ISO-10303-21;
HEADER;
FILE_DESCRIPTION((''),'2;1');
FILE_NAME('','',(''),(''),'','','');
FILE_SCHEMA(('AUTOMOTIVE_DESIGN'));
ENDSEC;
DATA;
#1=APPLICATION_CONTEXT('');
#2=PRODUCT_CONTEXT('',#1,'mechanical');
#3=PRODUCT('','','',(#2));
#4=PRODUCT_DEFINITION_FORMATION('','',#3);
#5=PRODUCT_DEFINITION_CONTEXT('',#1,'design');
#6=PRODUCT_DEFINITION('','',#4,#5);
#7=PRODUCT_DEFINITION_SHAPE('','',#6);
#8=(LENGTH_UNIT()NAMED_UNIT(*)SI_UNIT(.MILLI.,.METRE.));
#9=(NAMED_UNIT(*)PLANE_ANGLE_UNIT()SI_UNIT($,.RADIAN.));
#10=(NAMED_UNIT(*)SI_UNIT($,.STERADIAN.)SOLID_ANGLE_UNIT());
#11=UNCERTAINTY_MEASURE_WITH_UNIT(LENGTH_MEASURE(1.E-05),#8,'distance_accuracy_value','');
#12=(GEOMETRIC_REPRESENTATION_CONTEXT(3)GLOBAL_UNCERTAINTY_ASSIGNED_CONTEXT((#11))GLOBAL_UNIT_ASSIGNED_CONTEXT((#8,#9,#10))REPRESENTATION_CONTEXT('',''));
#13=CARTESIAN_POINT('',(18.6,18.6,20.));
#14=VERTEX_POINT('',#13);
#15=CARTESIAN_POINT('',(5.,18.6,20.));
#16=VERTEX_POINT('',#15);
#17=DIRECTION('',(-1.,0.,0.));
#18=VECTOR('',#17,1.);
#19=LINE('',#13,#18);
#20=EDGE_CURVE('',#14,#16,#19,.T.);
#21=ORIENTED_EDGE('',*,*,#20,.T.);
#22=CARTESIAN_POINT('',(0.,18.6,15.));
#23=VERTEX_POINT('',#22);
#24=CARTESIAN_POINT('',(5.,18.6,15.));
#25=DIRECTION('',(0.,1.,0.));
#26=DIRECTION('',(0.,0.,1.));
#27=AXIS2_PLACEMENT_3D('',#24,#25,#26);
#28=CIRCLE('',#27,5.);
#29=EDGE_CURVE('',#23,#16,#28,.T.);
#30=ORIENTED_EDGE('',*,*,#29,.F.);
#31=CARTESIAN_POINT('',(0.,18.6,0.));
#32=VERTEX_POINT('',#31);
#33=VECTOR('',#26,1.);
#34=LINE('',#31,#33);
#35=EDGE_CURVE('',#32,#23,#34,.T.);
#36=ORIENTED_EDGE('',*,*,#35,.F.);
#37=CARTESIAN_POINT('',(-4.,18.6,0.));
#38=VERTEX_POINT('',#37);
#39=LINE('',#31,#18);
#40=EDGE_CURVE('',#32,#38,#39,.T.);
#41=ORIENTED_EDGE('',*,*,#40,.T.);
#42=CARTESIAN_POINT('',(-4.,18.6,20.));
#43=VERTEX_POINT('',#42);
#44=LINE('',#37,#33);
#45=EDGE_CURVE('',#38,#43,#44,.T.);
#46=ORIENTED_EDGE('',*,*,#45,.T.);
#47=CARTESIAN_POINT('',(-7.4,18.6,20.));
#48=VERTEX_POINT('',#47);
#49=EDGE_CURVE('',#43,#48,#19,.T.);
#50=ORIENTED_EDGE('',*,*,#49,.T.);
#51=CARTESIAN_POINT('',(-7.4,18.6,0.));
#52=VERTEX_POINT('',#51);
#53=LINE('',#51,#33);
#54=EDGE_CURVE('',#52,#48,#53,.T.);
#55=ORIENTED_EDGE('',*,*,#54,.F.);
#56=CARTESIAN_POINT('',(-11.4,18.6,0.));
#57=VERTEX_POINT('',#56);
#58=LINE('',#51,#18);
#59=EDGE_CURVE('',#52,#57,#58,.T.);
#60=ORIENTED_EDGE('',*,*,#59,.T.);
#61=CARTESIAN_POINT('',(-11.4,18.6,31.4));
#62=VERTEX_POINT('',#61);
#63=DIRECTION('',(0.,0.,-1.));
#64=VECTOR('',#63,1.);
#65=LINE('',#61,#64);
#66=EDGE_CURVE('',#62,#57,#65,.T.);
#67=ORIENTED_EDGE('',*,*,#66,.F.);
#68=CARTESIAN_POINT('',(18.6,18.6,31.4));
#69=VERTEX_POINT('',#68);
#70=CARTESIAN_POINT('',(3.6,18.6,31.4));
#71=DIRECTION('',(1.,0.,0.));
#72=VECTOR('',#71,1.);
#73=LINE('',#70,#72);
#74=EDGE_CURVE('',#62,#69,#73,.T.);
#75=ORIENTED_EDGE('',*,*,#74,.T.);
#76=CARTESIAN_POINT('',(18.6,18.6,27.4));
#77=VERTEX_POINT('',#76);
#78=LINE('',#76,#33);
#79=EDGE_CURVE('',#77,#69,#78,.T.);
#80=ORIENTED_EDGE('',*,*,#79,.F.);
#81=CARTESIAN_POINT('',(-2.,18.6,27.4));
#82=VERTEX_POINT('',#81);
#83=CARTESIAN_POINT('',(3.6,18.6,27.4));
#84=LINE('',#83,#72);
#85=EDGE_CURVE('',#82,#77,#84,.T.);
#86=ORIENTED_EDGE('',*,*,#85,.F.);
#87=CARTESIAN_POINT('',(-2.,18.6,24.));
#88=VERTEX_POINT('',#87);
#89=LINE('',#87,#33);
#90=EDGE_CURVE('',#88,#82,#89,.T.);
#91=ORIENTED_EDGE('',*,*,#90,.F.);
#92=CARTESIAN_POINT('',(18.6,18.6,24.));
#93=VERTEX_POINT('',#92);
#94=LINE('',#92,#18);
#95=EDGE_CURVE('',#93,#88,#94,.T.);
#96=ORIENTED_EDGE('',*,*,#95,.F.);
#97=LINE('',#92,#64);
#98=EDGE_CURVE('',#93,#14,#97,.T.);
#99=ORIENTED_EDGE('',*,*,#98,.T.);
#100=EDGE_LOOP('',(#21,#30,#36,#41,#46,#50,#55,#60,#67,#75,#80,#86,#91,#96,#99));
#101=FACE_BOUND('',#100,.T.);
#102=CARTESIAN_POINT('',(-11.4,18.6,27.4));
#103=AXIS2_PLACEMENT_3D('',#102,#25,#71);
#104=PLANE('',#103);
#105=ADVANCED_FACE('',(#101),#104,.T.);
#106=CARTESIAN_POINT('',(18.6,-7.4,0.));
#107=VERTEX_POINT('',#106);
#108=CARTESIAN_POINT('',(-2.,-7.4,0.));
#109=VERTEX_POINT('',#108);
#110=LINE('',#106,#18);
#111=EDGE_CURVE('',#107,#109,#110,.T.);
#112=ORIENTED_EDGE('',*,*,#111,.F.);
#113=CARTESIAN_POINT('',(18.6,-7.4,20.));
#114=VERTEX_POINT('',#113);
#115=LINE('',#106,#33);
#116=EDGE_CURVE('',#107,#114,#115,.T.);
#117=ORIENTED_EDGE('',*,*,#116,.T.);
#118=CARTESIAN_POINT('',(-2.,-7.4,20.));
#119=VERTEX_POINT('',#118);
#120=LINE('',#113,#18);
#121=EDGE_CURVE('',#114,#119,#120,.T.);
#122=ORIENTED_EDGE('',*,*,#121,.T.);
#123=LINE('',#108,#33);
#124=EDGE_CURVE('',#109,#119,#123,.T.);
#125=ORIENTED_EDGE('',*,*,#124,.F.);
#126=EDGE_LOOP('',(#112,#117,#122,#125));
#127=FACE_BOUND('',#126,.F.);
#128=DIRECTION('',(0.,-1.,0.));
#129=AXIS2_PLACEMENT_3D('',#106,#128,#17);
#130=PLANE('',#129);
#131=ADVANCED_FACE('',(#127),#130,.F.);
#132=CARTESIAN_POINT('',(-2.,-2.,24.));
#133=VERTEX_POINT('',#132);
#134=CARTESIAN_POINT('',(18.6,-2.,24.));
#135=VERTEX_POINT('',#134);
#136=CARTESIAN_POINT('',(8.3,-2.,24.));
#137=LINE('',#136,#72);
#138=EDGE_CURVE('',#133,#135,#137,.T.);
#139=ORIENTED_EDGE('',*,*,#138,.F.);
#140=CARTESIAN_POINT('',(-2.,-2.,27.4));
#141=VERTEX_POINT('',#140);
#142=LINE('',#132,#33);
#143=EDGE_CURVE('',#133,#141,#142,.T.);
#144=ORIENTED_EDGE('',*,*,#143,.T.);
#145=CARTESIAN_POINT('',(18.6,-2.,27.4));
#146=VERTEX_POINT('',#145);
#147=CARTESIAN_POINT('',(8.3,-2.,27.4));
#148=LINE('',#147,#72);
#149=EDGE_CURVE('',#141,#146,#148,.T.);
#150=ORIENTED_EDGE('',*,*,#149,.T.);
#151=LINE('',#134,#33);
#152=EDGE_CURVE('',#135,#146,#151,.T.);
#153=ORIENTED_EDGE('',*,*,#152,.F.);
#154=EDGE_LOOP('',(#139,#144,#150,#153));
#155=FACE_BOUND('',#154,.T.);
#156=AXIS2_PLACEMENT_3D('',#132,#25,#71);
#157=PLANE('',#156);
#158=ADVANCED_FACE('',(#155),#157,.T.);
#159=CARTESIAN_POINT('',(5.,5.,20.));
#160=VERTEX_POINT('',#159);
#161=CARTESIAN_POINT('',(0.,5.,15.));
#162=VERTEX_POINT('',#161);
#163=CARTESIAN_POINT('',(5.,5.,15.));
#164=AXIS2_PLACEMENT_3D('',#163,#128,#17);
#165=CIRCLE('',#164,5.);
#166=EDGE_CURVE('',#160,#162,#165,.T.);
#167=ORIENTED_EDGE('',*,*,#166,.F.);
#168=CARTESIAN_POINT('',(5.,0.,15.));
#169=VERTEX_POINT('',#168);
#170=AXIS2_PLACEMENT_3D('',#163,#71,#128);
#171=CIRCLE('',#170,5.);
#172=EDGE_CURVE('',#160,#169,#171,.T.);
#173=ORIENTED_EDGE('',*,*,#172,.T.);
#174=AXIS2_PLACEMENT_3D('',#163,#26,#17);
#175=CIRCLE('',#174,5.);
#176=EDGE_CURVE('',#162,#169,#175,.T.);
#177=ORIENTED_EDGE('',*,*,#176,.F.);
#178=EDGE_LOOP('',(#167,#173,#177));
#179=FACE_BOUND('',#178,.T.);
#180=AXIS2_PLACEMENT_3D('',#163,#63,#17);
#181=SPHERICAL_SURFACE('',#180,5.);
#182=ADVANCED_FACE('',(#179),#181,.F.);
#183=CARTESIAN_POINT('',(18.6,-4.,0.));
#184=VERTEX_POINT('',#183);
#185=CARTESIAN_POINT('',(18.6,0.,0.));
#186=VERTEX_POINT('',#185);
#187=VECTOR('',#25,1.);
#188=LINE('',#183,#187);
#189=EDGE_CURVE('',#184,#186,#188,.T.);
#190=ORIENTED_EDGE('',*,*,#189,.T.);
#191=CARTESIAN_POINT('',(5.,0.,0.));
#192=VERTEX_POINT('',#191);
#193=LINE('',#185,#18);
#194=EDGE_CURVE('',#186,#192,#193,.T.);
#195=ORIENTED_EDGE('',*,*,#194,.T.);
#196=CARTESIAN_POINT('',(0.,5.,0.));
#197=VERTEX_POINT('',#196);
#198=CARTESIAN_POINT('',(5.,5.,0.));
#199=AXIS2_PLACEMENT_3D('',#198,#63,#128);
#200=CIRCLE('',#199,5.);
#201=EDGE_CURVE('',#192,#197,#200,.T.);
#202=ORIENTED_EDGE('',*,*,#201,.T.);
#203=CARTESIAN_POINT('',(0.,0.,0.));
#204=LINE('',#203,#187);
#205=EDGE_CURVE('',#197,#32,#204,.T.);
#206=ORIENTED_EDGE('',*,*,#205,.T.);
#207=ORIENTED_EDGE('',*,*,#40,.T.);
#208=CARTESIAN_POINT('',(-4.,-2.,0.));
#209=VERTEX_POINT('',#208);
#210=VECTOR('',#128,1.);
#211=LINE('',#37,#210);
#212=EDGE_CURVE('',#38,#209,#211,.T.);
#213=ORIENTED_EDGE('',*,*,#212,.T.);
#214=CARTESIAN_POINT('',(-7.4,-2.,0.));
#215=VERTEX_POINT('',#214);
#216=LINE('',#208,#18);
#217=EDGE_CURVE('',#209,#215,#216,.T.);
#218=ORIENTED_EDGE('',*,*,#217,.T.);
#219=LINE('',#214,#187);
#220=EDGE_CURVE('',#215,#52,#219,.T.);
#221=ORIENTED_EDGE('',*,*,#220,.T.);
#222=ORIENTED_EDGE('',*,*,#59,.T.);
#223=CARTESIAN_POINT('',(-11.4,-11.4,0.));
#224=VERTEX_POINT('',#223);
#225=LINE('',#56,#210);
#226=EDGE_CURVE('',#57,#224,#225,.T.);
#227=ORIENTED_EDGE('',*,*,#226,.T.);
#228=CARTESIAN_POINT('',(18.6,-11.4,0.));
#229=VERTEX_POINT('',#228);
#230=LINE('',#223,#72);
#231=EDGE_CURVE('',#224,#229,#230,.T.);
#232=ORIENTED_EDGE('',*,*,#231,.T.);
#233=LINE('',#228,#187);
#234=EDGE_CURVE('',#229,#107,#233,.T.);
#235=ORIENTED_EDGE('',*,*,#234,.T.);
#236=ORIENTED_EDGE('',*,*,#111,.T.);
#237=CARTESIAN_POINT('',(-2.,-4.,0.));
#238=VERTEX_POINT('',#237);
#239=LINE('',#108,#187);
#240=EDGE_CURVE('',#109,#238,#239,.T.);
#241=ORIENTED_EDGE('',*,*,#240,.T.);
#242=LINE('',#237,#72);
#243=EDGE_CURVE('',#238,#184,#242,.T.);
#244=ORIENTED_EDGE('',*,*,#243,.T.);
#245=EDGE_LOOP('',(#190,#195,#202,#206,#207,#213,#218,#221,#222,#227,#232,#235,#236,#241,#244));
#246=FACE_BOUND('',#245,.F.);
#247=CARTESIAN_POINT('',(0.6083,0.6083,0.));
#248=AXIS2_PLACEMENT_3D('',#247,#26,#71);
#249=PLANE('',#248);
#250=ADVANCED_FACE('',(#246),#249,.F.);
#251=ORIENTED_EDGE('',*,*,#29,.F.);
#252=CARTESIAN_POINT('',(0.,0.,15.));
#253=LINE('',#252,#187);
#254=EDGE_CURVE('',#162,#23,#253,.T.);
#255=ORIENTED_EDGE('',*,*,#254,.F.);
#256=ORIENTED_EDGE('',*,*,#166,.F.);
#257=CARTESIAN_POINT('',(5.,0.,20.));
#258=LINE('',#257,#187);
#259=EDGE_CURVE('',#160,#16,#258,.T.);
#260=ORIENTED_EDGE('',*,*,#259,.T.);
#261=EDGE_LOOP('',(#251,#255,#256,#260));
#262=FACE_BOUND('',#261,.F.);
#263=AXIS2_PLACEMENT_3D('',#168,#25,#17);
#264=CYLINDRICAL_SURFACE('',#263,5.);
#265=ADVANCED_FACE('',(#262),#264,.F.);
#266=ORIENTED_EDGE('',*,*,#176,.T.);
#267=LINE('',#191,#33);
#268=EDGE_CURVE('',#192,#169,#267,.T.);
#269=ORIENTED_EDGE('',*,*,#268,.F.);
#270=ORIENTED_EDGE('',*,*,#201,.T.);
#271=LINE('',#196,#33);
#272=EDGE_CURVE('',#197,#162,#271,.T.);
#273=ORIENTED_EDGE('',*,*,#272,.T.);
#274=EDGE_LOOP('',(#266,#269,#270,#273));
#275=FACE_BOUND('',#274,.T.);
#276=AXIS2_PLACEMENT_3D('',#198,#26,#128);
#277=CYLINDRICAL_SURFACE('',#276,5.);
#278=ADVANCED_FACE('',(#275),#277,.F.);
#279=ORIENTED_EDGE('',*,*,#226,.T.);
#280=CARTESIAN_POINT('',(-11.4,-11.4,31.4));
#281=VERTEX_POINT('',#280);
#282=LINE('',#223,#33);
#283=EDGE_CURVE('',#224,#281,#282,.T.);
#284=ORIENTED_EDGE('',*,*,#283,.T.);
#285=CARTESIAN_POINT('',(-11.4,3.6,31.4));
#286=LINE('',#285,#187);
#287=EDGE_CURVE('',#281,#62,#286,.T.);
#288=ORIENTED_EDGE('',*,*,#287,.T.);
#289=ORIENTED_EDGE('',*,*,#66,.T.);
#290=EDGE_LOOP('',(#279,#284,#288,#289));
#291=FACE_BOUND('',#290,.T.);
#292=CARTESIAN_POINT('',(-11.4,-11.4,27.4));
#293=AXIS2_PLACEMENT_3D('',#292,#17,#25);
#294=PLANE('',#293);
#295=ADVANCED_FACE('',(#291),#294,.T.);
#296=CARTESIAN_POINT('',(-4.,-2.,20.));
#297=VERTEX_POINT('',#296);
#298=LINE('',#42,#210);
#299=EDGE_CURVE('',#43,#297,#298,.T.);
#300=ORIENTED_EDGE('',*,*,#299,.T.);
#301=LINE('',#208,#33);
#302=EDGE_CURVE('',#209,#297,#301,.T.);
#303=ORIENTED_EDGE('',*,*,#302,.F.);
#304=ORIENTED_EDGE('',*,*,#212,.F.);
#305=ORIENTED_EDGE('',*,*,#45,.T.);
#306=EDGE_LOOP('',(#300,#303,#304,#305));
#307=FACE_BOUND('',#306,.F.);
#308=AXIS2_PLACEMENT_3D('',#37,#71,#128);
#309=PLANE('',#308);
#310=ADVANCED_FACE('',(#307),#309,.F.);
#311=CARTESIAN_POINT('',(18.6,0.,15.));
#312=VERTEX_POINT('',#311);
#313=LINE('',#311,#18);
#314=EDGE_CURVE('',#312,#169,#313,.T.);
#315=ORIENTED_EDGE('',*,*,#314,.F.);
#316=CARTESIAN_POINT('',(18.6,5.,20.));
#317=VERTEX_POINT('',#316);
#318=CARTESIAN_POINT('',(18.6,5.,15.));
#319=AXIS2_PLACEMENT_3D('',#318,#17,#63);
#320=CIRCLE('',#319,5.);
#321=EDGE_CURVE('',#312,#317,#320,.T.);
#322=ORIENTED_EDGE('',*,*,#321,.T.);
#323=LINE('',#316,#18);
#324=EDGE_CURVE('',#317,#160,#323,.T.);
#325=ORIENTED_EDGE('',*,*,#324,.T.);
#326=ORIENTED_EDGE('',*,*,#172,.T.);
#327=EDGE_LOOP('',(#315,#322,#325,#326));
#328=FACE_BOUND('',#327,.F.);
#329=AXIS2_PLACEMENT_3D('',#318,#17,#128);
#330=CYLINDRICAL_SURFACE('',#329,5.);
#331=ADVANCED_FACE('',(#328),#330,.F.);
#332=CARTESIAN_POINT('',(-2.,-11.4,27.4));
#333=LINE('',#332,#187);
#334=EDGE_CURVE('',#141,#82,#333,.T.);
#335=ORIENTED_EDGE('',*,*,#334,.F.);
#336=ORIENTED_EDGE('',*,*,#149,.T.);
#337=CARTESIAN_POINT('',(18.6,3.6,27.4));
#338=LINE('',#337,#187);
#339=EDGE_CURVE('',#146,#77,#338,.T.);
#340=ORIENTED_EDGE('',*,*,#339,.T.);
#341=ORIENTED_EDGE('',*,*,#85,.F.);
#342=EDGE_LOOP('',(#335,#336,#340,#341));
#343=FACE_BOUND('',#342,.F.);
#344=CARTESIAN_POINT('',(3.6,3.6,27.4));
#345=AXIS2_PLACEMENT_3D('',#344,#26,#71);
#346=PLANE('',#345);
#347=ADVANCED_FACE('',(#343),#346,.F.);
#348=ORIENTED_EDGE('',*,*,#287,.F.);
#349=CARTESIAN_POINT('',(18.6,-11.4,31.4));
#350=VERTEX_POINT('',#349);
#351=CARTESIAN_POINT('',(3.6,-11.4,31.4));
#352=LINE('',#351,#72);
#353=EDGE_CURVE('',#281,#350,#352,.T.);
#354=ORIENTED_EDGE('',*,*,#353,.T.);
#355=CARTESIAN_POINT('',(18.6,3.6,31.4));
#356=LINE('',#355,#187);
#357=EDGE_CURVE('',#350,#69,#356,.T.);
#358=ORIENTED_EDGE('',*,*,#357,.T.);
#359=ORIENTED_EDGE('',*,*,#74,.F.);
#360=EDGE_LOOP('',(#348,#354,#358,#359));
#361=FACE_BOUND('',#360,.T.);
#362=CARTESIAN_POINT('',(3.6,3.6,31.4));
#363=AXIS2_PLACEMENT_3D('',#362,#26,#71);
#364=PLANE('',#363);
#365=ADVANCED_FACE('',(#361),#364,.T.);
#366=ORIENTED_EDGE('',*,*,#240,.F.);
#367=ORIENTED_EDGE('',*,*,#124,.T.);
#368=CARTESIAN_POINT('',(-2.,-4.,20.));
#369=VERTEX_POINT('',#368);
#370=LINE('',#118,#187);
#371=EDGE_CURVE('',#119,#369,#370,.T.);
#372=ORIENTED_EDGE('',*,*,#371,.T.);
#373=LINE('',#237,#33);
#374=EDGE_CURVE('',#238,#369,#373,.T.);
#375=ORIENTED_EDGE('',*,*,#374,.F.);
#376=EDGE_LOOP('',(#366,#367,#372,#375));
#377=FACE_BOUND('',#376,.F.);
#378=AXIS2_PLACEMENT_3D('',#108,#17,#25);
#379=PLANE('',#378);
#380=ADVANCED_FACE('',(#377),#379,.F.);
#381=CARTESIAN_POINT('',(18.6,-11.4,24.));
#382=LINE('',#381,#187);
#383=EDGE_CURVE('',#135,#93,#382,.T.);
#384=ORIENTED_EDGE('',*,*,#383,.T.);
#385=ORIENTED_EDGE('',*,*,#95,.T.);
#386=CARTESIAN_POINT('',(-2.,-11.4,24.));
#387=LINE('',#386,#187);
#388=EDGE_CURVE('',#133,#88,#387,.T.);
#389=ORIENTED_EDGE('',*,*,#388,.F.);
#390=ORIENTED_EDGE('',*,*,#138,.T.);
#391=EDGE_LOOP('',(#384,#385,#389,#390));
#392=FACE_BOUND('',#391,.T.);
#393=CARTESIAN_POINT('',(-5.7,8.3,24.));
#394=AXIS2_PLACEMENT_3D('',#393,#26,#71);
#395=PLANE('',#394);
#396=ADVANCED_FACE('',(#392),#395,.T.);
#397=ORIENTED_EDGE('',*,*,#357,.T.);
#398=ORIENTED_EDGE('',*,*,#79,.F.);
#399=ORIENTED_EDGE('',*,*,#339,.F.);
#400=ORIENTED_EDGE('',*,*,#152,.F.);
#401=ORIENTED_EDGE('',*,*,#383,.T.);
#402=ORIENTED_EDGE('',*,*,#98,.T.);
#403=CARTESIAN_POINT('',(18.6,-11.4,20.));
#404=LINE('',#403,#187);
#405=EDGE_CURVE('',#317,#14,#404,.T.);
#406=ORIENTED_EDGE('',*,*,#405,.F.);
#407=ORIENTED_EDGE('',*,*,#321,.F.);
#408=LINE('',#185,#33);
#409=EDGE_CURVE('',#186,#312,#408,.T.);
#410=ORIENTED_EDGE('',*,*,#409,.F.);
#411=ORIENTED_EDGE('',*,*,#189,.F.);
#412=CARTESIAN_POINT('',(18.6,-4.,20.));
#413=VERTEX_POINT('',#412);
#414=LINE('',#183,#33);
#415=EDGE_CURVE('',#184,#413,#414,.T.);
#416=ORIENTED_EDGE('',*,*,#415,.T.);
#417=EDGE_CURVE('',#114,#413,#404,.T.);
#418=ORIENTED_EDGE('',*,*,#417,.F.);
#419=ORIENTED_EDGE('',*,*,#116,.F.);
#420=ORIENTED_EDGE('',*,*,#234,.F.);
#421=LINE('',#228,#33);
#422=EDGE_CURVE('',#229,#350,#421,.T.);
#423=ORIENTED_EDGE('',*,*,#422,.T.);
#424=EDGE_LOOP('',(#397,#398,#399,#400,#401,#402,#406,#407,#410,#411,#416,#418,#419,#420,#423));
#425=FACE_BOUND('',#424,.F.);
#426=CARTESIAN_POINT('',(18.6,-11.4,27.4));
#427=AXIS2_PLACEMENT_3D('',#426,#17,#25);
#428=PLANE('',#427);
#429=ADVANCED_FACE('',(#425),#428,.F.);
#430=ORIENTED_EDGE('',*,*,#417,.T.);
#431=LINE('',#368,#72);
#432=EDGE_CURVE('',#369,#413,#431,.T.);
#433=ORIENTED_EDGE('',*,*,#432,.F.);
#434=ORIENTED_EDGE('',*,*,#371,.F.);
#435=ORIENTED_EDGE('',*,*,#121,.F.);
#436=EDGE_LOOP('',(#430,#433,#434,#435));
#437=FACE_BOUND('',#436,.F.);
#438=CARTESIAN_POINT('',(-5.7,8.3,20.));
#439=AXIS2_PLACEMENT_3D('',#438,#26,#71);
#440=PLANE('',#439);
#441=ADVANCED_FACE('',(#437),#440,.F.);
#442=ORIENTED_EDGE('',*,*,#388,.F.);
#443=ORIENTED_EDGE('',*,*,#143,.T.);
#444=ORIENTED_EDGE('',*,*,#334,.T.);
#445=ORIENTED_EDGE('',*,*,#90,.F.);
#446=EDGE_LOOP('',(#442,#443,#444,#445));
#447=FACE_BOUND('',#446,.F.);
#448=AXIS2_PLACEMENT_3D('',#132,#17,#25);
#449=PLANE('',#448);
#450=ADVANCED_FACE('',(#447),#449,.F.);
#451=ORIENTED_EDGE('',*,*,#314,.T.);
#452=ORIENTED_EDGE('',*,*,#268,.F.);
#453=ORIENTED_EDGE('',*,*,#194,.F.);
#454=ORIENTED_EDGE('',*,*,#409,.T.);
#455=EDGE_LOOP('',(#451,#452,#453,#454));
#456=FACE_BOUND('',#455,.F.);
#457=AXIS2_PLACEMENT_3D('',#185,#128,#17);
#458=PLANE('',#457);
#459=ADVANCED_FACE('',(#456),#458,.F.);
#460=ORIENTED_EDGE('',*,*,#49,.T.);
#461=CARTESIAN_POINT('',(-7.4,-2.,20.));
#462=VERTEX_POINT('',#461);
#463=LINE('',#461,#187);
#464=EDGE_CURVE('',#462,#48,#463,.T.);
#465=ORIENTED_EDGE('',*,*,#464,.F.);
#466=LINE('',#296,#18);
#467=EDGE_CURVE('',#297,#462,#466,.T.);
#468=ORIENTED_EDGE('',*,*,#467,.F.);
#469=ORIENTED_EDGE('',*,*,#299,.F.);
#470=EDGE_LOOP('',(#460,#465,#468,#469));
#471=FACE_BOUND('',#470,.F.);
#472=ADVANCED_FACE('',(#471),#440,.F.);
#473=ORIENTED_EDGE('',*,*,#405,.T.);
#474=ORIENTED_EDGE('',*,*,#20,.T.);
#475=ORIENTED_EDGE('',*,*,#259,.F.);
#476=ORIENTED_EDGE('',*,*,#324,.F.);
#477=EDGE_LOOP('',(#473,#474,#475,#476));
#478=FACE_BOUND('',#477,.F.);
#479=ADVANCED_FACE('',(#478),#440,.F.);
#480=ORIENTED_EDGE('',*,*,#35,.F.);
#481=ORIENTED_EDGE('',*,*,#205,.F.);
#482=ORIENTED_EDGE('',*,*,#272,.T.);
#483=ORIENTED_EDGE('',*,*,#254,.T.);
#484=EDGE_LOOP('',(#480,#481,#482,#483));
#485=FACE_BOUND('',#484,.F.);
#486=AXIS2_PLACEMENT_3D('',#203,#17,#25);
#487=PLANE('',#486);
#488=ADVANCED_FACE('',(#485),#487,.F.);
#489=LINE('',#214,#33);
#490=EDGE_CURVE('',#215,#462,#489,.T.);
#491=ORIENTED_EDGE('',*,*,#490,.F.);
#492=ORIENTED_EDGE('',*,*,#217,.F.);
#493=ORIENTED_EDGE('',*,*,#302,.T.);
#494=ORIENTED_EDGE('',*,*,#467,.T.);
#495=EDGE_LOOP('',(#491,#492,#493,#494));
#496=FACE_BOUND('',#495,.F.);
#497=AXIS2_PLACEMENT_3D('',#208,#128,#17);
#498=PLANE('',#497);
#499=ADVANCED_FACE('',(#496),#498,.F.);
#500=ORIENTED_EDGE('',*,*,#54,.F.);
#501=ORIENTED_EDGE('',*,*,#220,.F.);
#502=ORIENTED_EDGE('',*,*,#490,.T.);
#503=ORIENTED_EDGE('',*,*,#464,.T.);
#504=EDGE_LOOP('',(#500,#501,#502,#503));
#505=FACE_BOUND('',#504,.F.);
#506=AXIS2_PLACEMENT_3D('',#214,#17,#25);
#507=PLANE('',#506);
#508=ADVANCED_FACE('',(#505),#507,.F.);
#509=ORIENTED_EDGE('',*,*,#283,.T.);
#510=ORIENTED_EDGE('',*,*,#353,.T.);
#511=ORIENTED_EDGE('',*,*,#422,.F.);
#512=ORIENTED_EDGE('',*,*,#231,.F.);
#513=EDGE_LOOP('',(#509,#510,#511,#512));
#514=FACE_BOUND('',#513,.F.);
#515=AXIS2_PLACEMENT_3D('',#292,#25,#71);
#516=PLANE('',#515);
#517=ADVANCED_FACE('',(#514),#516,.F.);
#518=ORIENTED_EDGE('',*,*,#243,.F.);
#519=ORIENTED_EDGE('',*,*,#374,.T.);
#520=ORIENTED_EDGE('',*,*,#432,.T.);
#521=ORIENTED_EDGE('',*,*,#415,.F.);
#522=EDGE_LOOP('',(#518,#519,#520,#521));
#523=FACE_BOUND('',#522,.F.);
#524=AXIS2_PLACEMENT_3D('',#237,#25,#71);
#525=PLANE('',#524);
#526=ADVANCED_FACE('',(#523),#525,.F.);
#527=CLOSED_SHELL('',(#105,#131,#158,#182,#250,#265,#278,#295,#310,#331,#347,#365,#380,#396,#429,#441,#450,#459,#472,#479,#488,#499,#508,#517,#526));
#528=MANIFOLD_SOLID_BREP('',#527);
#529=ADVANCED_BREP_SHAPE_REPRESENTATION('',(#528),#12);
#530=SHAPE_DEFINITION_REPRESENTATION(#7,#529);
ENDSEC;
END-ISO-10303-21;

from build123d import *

# Parameters (mm, degrees)
F4_DEPTH  = 20
F5_W      = 3.4
F5_H      = 20.6
F5_W_2    = 20.6
F5_H_2    = 3.4
F5_W_3    = 18.6
F5_H_3    = 18.6
F6_DEPTH  = 2
F7_DEPTH  = 2
F8_W      = 20.6
F8_H      = 9.4
F9_DEPTH  = 3.4
F10_W     = 30
F10_H     = 30
F11_DEPTH = 4
F12_R     = 5


with BuildPart() as f4:
    # F3 (on Top) → F4 (new body)
    with BuildSketch(Plane.XY):
        Polygon((0, 18.6), (-4, 18.6), (-4, -2), (-7.4, -2), (-7.4, 18.6), (-11.4, 18.6), (-11.4, -11.4), (18.6, -11.4), (18.6, -7.4), (-2, -7.4), (-2, -4), (18.6, -4), (18.6, 0), (0, 0), align=None)
    extrude(amount=F4_DEPTH)

    # F5 (on face) → F6 (join)
    with BuildSketch(Plane.XY.offset(20)):
        with Locations((-5.7, 8.3)):
            Rectangle(F5_W, F5_H)
        Polygon((-11.4, 18.6), (-11.4, -11.4), (18.6, -11.4), (18.6, -7.4), (-2, -7.4), (-2, -4), (18.6, -4), (18.6, 0), (0, 0), (0, 18.6), (-4, 18.6), (-4, -2), (-7.4, -2), (-7.4, 18.6), align=None)
        with Locations((8.3, -5.7)):
            Rectangle(F5_W_2, F5_H_2)
        with Locations((9.3, 9.3)):
            Rectangle(F5_W_3, F5_H_3)
    extrude(amount=F6_DEPTH)

    # F7 (add): a face of the model
    f7_faces = [f4.faces().sort_by_distance(p)[0] for p in [
        (3.6, 3.6, 22),
    ]]
    extrude(f7_faces, amount=F7_DEPTH)

    # F8 (on face) → F9 (join)
    with BuildSketch(Plane.XY.offset(24)):
        Polygon((-2, 18.6), (-11.4, 18.6), (-11.4, -11.4), (-2, -11.4), (-2, -2), align=None)
        with Locations((8.3, -6.7)):
            Rectangle(F8_W, F8_H)
    extrude(amount=F9_DEPTH)

    # F10 (on face) → F11 (join)
    with BuildSketch(Plane.XY.offset(27.4)):
        with Locations((3.6, 3.6)):
            Rectangle(F10_W, F10_H)
    extrude(amount=F11_DEPTH)

    # F12
    f12_edges = [f4.edges().sort_by_distance(p)[0] for p in [
        (0, 0, 10),
        (0, 9.3, 20),
        (9.3, 0, 20),
    ]]
    fillet(f12_edges, radius=F12_R)


solid = f4.part
